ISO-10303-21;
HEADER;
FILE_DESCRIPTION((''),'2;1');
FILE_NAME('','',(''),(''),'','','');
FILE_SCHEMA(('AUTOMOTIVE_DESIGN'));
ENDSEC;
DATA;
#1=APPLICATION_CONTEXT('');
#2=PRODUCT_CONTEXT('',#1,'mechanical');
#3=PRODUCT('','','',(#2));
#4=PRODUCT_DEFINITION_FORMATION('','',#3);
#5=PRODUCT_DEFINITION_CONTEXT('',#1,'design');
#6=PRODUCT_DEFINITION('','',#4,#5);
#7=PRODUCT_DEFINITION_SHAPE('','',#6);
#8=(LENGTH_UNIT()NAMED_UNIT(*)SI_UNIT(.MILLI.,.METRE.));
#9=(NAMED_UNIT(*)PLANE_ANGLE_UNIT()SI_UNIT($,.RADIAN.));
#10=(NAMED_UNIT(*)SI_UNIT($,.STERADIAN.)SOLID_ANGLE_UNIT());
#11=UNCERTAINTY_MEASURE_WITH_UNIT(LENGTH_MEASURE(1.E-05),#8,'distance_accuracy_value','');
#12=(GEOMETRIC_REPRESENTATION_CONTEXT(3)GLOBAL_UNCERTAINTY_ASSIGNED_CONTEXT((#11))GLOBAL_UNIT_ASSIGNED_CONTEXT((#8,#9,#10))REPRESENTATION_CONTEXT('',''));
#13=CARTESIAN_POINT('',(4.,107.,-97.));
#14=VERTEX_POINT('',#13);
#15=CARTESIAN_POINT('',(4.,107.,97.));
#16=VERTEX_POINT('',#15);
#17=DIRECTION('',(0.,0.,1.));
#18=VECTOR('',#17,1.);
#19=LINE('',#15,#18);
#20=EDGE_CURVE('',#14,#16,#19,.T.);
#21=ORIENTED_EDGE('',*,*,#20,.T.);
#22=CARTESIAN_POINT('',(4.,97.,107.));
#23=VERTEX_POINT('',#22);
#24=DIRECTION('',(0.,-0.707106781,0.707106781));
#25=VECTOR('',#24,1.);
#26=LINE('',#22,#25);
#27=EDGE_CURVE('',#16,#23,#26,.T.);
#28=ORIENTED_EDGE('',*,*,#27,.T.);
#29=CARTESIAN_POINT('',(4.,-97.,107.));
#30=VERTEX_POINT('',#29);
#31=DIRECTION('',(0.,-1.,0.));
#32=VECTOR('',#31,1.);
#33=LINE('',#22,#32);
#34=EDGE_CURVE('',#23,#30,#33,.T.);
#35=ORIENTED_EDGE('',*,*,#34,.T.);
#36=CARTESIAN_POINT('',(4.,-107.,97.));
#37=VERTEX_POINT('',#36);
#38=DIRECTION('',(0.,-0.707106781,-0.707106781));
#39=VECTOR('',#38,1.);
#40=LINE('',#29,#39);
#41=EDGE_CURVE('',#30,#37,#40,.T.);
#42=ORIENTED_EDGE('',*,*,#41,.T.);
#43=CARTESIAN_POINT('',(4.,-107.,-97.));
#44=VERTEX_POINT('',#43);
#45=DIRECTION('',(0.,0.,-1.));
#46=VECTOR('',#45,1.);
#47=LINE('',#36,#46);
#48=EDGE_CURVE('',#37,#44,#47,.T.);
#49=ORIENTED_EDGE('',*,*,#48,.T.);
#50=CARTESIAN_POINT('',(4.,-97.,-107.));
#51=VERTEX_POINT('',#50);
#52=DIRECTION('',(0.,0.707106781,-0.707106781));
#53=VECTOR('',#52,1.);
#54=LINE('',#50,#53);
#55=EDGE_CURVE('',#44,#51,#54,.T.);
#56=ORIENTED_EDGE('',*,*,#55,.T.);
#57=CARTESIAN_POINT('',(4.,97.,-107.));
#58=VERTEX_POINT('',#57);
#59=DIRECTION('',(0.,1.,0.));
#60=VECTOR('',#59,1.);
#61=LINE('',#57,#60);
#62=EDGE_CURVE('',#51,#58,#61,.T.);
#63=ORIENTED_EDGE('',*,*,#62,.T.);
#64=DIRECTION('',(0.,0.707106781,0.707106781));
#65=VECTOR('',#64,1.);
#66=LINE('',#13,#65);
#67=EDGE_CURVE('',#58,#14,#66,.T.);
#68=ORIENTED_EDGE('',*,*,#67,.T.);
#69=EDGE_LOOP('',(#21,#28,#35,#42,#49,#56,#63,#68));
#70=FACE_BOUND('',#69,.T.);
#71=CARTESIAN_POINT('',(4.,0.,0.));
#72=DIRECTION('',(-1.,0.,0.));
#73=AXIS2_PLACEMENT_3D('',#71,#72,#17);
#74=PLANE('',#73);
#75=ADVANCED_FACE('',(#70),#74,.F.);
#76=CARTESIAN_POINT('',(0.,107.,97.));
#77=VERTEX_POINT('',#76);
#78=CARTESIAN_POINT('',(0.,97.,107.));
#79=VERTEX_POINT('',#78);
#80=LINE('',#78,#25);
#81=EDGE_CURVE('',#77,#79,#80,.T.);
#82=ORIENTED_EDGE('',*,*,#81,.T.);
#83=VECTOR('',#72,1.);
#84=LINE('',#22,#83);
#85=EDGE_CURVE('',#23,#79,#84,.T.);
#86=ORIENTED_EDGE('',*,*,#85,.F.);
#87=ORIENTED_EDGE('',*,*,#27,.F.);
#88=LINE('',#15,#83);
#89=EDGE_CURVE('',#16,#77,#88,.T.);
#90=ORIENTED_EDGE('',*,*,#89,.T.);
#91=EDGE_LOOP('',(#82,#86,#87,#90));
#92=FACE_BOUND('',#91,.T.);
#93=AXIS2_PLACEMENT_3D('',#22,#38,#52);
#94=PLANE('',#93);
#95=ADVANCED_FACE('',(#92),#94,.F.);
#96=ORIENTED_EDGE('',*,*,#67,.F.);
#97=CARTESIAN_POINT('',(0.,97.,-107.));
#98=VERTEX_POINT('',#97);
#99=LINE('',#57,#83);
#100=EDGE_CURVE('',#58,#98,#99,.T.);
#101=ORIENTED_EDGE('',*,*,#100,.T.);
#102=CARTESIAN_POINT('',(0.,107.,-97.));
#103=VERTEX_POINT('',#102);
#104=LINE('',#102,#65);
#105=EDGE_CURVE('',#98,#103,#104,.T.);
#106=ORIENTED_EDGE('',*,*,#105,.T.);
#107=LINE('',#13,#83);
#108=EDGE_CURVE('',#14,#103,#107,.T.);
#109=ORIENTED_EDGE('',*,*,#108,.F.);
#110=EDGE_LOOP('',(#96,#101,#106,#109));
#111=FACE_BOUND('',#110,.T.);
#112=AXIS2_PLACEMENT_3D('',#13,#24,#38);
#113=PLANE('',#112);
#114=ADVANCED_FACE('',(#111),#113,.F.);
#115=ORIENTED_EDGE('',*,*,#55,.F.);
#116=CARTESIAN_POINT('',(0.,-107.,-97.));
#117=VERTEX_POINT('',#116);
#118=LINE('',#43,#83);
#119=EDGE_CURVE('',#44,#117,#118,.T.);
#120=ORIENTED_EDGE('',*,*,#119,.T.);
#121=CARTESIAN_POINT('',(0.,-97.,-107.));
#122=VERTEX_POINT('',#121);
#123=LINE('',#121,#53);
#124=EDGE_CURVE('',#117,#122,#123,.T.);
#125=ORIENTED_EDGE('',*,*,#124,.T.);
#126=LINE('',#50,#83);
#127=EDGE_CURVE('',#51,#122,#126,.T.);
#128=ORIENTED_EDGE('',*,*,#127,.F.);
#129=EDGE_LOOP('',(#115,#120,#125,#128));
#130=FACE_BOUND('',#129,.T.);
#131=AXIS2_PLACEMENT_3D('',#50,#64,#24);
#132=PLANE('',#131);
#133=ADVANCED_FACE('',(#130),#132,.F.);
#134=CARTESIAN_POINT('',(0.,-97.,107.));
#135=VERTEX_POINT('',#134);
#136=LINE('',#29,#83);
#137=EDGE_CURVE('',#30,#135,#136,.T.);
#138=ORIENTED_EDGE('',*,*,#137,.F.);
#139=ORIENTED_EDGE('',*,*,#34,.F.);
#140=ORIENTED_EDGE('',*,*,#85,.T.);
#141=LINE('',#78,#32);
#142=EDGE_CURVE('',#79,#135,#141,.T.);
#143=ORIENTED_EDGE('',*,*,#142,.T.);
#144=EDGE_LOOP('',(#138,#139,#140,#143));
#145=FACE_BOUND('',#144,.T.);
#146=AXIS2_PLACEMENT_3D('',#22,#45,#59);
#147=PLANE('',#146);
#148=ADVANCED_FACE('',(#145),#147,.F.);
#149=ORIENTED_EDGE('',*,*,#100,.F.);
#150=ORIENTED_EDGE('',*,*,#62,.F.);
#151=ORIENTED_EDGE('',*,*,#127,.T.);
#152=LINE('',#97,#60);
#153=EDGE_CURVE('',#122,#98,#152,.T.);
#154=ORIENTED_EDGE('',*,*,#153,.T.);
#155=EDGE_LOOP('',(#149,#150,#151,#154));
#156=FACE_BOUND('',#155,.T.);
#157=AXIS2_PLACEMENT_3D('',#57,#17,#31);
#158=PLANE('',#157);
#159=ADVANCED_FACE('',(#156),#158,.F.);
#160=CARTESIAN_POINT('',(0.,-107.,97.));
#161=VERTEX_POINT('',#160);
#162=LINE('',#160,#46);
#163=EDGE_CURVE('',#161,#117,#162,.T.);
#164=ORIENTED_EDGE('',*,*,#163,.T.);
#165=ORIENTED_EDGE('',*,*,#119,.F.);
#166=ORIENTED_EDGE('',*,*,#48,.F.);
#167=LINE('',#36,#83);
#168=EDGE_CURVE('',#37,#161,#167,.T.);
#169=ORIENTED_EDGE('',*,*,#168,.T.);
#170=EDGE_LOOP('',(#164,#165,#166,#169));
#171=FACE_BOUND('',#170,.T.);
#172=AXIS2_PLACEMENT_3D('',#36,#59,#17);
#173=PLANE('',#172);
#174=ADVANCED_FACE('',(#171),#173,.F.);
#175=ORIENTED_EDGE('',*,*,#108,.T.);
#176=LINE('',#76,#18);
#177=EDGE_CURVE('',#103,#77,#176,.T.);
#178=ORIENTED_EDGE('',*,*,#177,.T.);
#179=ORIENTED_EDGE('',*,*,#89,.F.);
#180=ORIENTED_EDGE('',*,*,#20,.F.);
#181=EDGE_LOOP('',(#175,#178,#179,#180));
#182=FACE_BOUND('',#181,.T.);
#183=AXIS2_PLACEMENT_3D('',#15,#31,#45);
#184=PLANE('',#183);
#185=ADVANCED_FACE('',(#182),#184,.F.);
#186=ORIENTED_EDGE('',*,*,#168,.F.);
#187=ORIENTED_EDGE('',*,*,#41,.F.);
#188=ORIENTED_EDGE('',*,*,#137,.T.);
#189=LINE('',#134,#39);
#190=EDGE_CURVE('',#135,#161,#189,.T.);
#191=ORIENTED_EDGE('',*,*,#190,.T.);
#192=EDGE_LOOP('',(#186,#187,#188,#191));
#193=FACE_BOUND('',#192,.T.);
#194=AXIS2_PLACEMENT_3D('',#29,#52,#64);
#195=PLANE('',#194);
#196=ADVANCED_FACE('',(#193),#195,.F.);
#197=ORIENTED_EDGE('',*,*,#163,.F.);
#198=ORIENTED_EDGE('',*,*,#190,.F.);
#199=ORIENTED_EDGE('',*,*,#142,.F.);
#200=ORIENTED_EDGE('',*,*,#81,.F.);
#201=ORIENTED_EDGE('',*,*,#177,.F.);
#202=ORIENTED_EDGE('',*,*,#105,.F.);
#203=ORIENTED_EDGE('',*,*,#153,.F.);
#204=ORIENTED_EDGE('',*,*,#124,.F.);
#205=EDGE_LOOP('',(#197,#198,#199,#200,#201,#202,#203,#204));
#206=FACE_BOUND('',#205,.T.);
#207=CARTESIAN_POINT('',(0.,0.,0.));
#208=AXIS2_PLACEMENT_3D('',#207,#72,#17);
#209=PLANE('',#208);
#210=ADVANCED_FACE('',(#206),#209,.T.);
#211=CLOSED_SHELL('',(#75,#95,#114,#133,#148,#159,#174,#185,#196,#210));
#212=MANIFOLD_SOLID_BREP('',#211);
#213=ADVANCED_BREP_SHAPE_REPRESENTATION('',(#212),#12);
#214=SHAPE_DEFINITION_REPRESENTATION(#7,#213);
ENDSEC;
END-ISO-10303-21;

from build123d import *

# Parameters (mm, degrees)
BOSS_EXTRUDE1_DEPTH = 4


with BuildPart() as part:
    # Sketch1 → Boss-Extrude1 (new body)
    with BuildSketch(Plane(origin=(0, 0, 0), x_dir=(0, 0, -1), z_dir=(1, 0, 0))):
        Polygon((-107, 97), (-97, 107), (97, 107), (107, 97), (107, -97), (97, -107), (-97, -107), (-107, -97), align=None)
    extrude(amount=BOSS_EXTRUDE1_DEPTH)


solid = part.part
